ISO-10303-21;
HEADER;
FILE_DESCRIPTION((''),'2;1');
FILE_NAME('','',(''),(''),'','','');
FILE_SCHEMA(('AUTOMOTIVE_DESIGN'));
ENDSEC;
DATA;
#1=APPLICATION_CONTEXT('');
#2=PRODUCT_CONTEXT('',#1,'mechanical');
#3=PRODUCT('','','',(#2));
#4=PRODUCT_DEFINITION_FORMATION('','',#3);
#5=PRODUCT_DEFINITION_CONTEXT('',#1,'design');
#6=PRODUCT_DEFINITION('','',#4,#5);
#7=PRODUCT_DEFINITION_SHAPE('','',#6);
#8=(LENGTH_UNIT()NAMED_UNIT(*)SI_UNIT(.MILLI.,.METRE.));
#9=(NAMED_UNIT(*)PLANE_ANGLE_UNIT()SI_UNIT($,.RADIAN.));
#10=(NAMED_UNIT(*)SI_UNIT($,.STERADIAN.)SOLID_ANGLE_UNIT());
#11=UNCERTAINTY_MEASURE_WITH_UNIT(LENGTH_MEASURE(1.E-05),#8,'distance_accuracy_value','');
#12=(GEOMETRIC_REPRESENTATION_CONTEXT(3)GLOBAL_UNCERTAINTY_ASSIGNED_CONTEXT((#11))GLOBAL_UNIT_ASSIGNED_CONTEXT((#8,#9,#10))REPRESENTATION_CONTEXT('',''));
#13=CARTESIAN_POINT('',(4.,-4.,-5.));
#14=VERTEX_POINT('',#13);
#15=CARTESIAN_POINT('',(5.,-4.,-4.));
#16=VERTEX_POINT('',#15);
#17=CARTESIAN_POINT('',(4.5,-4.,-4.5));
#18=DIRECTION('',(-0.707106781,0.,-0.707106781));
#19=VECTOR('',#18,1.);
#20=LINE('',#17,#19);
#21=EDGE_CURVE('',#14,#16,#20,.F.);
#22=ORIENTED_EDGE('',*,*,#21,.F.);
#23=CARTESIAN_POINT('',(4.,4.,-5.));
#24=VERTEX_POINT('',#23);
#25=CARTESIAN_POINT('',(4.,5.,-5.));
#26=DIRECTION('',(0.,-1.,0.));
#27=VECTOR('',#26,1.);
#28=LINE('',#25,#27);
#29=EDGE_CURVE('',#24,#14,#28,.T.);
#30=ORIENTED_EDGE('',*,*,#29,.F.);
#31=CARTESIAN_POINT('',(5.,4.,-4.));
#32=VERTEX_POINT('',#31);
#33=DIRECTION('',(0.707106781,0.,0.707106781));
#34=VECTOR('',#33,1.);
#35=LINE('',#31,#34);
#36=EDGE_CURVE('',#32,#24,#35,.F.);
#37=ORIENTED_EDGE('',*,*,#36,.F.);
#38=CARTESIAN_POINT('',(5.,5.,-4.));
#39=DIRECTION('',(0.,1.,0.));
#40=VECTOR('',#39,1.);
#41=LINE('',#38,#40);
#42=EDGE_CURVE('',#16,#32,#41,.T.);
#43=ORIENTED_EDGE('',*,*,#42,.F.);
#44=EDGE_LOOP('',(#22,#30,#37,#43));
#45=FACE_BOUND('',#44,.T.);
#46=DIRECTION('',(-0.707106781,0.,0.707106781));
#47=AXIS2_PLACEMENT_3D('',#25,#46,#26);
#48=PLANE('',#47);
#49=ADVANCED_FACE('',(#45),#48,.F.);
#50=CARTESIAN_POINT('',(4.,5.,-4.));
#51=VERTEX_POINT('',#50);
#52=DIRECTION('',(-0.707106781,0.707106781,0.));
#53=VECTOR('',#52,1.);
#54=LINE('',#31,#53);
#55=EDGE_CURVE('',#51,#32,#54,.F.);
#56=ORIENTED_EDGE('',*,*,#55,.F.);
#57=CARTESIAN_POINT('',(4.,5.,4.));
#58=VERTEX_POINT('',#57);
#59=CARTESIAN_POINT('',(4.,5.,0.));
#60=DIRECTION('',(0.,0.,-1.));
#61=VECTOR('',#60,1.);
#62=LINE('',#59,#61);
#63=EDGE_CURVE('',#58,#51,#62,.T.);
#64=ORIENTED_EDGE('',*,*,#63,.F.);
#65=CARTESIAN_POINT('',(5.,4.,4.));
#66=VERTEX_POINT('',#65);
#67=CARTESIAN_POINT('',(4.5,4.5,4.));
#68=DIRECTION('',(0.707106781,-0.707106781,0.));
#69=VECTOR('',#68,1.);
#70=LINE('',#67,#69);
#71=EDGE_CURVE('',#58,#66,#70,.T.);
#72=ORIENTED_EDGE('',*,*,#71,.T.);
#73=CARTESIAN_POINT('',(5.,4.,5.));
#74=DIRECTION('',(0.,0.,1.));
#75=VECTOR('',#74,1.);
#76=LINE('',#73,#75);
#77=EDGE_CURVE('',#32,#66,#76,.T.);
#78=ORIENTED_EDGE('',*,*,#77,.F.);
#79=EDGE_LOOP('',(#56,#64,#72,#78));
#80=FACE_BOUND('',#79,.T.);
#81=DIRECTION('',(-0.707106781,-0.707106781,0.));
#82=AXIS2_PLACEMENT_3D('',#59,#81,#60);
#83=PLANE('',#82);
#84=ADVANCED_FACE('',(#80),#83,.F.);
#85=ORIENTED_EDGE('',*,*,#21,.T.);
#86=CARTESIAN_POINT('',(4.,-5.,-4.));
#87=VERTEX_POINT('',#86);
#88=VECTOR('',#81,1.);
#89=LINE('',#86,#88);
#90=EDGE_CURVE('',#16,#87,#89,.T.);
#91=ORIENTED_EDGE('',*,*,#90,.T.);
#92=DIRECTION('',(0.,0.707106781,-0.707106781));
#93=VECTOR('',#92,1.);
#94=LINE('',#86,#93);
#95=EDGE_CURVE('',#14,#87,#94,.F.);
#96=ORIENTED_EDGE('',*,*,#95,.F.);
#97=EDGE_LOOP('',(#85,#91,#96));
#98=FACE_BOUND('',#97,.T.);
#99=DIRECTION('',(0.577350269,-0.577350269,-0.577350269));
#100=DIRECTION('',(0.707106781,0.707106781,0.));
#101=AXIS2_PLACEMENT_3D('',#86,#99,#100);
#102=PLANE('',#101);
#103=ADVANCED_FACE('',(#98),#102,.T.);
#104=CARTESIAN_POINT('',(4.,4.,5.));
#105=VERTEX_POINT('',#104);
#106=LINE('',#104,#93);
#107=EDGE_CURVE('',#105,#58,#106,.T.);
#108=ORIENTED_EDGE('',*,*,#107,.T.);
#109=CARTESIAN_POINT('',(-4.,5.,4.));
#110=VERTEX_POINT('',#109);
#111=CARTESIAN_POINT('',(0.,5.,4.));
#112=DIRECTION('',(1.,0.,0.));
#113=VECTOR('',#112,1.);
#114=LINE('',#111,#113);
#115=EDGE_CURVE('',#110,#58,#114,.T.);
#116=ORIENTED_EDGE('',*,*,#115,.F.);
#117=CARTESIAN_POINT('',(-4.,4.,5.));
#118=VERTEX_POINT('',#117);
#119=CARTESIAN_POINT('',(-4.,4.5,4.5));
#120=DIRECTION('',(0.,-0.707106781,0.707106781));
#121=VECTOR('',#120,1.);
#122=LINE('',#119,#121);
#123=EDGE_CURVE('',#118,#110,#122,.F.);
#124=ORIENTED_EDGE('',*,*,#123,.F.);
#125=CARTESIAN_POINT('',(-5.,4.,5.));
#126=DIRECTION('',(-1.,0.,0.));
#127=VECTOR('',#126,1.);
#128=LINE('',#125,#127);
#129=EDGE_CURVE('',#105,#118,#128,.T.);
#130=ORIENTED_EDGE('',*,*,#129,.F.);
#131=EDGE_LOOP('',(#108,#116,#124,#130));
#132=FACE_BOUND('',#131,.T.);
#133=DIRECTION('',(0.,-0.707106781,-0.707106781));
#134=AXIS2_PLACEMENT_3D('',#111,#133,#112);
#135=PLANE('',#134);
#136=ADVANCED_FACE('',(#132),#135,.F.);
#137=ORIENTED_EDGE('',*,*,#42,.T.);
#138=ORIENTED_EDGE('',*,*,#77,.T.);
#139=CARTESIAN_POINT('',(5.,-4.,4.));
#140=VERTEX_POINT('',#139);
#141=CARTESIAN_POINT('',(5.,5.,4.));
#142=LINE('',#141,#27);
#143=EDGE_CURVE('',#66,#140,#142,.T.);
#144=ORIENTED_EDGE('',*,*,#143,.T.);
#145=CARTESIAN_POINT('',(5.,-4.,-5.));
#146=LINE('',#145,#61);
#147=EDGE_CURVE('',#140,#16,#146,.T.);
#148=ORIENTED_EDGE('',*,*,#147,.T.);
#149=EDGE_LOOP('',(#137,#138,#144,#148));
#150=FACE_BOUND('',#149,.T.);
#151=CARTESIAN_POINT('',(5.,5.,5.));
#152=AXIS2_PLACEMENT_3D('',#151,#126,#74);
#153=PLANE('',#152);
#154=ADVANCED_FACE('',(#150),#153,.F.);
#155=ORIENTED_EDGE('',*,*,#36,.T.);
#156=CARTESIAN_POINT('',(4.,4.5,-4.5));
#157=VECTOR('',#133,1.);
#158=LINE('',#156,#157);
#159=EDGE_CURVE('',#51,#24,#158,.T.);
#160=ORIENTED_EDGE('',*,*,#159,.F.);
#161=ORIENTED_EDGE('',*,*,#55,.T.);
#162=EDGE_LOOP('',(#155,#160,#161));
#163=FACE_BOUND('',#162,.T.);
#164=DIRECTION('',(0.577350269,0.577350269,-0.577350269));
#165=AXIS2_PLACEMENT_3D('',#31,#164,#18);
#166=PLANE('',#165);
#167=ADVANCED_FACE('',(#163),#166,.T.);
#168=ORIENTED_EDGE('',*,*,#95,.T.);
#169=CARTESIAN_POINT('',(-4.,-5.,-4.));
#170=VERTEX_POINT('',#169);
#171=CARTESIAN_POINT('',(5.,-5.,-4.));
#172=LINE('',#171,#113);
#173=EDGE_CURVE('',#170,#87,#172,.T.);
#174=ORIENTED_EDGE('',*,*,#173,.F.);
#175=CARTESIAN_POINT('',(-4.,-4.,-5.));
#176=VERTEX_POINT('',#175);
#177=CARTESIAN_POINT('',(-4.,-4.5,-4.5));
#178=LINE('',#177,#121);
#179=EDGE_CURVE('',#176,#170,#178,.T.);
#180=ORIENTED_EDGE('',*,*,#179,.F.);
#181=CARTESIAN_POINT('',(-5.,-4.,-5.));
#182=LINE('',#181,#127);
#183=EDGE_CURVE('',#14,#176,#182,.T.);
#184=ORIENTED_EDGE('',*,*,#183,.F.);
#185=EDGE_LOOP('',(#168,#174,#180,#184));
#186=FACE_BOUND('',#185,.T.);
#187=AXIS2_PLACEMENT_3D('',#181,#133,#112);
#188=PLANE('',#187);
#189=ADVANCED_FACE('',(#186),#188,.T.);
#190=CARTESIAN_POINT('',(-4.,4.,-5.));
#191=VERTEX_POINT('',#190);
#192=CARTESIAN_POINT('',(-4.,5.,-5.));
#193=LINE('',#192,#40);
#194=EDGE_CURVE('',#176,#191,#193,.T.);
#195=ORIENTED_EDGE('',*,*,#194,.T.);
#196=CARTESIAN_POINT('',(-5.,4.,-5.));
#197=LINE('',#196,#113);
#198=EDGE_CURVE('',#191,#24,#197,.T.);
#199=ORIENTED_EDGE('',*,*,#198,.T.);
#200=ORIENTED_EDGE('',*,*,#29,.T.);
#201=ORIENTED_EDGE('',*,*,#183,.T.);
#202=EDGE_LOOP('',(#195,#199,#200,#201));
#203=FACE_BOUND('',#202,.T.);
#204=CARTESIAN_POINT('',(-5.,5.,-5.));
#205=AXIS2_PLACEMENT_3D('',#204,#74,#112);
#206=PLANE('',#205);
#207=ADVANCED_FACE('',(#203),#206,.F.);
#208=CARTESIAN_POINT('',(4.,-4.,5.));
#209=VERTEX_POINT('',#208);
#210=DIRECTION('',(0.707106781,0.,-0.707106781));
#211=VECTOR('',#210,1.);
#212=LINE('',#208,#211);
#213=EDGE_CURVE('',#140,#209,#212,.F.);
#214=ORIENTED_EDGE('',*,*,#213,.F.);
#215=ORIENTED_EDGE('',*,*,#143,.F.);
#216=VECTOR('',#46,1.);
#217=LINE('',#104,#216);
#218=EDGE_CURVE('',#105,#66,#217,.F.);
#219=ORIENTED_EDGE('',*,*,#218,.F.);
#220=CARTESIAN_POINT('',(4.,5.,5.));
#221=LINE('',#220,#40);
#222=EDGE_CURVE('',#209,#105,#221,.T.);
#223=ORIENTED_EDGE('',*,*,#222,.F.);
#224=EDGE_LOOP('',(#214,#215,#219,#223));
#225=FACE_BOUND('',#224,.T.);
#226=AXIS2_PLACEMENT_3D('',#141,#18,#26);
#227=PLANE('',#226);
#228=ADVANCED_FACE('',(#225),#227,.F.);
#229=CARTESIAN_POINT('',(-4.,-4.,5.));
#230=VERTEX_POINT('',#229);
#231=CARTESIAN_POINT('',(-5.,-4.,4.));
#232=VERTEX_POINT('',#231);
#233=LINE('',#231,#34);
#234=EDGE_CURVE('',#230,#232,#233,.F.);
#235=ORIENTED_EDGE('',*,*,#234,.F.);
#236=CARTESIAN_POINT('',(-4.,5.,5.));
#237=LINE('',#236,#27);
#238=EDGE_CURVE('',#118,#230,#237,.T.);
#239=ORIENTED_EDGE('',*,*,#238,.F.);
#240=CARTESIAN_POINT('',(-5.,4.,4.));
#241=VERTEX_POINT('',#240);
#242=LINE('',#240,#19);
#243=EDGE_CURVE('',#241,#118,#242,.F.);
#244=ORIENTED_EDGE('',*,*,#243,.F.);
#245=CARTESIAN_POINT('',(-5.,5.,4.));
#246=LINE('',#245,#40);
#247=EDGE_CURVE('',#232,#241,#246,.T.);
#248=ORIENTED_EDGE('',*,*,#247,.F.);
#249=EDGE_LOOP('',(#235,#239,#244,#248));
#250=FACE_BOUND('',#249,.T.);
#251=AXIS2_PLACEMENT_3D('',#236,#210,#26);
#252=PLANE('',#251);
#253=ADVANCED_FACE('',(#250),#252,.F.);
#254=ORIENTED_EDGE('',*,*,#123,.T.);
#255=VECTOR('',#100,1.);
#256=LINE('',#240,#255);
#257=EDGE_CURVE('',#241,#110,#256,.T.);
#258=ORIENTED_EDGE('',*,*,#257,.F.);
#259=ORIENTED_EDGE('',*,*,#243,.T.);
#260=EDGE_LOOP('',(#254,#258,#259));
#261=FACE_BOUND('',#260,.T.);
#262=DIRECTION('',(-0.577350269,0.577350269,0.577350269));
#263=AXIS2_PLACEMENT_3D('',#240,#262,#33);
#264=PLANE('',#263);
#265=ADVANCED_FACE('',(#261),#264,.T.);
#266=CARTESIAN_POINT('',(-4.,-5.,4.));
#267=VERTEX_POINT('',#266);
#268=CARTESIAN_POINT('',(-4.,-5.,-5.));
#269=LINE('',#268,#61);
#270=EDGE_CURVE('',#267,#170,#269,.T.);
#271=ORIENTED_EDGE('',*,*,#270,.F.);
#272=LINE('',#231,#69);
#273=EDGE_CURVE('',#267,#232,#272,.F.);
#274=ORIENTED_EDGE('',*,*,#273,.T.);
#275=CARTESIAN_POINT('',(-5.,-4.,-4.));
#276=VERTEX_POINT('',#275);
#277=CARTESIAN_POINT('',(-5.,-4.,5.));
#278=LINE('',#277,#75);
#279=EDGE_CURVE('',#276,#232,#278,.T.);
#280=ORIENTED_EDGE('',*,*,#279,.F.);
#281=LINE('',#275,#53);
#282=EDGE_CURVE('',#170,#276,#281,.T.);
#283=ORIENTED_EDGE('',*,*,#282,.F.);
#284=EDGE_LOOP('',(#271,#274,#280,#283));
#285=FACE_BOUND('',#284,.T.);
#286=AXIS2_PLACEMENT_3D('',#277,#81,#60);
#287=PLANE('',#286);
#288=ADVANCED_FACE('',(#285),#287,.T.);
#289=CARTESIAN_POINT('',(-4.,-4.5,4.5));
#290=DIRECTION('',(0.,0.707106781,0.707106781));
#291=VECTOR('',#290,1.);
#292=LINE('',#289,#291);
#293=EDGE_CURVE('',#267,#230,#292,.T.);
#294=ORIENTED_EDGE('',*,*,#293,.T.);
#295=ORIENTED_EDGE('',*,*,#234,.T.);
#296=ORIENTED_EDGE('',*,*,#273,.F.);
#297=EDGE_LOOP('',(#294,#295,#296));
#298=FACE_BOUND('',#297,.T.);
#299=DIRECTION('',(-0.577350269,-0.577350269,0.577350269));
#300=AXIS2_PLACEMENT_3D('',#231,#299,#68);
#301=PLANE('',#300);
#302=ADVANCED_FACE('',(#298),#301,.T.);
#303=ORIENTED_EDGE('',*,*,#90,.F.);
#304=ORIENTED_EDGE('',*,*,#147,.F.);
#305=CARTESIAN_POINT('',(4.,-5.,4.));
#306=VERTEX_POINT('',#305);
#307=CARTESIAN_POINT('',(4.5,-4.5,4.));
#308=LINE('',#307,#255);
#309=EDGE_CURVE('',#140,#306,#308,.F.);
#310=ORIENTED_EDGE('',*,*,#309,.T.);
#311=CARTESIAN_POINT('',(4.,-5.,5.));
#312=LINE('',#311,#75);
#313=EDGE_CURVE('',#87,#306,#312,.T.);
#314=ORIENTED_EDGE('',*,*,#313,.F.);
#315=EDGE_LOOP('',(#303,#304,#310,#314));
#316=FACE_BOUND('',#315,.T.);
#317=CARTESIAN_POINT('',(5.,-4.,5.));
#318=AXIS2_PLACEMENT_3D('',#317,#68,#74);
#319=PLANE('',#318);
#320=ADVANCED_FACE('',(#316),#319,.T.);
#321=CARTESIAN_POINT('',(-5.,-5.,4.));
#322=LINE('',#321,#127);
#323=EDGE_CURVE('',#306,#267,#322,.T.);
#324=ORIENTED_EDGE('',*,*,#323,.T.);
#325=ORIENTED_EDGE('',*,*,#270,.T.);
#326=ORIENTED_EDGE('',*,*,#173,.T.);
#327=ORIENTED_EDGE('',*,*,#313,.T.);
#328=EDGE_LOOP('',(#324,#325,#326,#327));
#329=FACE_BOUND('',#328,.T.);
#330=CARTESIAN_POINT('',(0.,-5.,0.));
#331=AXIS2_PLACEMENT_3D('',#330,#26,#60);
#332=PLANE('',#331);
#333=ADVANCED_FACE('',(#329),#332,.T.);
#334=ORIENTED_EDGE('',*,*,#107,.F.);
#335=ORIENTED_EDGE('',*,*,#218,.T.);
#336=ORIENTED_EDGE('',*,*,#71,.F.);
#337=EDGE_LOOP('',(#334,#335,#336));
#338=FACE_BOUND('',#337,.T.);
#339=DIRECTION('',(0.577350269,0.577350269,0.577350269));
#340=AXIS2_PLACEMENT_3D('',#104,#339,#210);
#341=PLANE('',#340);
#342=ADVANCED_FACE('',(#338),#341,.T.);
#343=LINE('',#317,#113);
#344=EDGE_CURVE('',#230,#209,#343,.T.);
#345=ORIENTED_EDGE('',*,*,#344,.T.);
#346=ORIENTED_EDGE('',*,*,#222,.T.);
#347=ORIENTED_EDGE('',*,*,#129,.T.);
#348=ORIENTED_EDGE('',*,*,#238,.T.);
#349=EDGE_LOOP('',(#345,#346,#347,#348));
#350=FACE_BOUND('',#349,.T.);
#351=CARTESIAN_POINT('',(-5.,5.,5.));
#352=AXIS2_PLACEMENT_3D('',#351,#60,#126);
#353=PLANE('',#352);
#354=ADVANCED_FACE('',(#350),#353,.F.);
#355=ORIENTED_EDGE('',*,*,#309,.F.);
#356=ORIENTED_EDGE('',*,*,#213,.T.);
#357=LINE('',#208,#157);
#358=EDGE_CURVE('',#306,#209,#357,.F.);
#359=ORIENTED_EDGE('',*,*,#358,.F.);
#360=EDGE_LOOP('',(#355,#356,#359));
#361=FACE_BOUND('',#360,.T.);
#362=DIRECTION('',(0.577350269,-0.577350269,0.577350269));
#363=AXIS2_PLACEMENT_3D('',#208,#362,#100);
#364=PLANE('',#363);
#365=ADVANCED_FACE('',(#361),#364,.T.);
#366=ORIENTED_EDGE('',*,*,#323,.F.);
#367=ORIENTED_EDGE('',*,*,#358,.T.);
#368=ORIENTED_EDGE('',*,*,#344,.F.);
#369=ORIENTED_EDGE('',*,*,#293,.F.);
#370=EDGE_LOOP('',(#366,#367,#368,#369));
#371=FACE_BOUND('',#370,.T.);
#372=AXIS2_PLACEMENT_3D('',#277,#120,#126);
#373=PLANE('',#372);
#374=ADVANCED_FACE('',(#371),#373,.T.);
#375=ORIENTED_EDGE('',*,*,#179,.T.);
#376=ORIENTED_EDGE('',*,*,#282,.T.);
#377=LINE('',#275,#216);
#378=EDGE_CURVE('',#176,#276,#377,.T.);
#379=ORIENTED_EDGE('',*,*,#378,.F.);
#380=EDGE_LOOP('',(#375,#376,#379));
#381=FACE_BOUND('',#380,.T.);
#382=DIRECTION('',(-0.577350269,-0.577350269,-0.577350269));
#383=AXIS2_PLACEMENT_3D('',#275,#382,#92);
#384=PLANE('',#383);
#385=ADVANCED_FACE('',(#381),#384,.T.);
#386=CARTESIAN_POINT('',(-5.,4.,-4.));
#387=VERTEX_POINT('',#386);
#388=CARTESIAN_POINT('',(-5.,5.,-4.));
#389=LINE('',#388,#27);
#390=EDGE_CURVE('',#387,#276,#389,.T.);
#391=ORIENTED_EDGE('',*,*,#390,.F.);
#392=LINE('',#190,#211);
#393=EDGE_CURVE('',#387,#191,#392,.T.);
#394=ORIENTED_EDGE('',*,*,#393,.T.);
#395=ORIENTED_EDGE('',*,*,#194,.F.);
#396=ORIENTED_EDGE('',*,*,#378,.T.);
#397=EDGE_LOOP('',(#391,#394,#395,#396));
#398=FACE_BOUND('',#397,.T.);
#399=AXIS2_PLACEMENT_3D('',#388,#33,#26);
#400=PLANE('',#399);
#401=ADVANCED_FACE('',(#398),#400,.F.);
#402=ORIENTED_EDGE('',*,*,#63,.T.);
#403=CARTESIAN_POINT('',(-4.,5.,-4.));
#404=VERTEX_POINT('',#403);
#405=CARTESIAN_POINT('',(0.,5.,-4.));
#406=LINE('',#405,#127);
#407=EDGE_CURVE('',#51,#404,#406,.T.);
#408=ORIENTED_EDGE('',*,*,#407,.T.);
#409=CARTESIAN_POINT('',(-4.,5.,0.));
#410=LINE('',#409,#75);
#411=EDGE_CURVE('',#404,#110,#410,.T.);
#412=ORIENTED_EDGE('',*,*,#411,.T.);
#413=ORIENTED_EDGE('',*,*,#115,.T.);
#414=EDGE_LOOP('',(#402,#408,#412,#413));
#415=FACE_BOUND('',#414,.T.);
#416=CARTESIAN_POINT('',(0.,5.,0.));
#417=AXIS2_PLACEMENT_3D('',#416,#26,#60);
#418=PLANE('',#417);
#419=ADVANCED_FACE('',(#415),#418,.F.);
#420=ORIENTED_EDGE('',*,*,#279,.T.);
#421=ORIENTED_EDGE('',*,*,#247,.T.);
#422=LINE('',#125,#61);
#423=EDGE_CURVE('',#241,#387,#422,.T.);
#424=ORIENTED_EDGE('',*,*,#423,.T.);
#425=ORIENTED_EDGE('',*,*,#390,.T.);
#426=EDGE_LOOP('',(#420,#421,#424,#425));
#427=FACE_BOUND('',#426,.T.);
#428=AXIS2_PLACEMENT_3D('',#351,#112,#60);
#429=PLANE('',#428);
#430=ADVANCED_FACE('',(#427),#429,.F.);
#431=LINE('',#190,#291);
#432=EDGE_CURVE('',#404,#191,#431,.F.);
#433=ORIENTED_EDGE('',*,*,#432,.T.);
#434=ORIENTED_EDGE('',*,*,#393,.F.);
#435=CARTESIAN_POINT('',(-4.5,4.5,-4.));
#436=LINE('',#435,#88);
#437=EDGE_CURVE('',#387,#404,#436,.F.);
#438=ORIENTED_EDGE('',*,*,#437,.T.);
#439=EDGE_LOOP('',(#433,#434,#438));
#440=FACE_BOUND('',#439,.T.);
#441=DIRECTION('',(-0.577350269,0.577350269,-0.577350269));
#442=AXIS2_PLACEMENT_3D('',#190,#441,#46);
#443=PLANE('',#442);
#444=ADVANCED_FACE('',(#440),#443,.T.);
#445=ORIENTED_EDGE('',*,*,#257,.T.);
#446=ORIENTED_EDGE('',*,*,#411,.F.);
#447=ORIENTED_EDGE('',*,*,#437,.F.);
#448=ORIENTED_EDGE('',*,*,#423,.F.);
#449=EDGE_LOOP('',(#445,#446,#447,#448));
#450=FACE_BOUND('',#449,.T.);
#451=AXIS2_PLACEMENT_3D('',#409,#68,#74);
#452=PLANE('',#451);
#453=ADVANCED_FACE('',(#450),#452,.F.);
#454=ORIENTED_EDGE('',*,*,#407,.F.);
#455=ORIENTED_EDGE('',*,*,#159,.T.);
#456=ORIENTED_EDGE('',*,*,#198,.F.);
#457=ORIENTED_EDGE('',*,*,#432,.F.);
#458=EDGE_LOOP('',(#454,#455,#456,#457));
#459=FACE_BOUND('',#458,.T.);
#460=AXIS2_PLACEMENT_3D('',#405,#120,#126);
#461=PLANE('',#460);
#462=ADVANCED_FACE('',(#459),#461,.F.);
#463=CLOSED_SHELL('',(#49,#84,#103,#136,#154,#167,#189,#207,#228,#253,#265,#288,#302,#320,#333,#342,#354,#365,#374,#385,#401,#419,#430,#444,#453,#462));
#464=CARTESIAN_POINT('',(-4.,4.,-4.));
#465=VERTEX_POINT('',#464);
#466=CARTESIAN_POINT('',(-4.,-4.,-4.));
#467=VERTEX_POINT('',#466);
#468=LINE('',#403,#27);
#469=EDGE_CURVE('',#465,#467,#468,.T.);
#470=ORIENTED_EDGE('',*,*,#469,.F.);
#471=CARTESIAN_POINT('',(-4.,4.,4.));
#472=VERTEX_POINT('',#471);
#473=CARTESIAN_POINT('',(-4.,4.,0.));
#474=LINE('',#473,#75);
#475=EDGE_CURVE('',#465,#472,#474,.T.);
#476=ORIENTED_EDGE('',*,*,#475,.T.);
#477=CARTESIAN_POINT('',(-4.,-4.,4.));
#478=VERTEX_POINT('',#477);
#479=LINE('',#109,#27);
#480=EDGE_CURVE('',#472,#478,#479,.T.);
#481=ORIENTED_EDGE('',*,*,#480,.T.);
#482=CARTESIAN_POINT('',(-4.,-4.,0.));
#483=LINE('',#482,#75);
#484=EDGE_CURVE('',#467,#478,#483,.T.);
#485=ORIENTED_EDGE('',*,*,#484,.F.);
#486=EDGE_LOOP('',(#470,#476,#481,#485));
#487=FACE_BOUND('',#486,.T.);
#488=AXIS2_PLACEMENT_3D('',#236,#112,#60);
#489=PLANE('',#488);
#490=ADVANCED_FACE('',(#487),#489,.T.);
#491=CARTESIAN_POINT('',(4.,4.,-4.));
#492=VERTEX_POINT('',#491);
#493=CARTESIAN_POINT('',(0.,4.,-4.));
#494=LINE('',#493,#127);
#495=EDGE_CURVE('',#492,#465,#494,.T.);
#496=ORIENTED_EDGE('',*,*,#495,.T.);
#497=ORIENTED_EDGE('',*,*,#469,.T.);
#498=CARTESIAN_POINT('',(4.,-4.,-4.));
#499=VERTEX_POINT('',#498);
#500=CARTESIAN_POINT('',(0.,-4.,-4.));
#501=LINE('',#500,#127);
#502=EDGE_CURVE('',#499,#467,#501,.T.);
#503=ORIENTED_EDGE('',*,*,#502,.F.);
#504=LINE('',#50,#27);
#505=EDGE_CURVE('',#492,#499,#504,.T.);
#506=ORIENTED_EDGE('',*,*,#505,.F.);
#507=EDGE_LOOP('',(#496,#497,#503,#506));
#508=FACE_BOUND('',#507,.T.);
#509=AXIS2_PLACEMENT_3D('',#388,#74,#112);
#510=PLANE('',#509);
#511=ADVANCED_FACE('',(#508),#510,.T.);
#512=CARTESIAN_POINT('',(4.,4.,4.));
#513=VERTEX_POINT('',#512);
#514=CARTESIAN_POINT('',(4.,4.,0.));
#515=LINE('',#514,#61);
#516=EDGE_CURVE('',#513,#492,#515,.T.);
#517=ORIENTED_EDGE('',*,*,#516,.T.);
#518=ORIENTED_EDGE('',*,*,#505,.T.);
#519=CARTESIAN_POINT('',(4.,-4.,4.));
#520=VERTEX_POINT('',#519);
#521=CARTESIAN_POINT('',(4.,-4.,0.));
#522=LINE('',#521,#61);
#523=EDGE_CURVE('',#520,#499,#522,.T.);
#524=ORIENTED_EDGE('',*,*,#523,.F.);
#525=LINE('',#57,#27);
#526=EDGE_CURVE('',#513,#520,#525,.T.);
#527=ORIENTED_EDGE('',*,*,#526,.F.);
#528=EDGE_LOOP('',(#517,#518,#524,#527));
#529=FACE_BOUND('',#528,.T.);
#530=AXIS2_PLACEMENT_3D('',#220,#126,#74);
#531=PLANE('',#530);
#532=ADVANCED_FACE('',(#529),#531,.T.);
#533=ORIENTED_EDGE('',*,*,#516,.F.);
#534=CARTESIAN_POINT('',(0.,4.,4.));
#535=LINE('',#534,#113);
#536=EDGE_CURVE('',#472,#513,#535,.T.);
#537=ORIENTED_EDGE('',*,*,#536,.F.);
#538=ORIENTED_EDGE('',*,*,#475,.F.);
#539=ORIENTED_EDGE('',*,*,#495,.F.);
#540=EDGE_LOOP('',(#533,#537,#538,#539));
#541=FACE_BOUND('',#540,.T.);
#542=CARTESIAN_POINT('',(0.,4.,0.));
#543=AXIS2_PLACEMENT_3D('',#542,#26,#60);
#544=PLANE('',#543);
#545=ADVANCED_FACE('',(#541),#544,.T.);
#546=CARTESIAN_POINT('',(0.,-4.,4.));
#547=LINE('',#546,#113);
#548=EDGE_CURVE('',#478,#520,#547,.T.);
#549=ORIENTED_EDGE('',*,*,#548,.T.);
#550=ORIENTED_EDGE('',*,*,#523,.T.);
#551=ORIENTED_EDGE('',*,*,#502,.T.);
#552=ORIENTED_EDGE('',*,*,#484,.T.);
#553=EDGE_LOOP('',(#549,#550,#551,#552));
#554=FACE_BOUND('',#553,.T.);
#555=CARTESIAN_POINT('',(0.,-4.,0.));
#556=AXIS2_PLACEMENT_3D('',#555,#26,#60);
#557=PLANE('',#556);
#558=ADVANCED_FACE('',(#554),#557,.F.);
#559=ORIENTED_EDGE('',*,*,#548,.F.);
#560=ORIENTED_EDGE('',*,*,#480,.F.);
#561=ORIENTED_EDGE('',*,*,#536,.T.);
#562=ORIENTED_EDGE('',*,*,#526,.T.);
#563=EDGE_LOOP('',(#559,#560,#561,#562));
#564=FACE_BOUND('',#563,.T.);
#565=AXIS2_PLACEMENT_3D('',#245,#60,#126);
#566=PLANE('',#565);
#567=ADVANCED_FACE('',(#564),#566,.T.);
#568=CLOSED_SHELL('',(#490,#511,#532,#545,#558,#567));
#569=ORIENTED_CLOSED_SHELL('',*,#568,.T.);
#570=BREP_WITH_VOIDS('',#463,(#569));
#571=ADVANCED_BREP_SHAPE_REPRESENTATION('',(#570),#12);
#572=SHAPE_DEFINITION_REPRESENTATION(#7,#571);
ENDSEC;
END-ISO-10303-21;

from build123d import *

# Parameters (mm, degrees)
ESBO_O1_W                = 10
ESBO_O1_H                = 10
RESSALTO_EXTRUS_O1_DEPTH = 5
CASCA2_T                 = 1
CHANFRO1_SIZE            = 1


with BuildPart() as part:
    # Esboço1 → Ressalto-extrusão1 (new, symmetric)
    with BuildSketch(Plane(origin=(0, 0, 0), x_dir=(1, 0, 0), z_dir=(0, 1, 0))):
        Rectangle(ESBO_O1_W, ESBO_O1_H)
    extrude(amount=RESSALTO_EXTRUS_O1_DEPTH, both=True)

    # Casca2 (no face opened: a closed hollow body)
    add(offset(amount=-CASCA2_T, mode=Mode.PRIVATE), mode=Mode.SUBTRACT)

    # Chanfro1
    chanfro1_edges = [part.edges().sort_by_distance(p)[0] for p in [
        (-5, 5, 0),
        (0, 5, 5),
        (5, 5, 0),
        (0, -5, 5),
        (-5, -5, 0),
        (0, -5, -5),
        (5, -5, 0),
        (5, 0, 5),
        (-5, 0, 5),
        (-5, 0, -5),
        (5, 0, -5),
        (0, 5, -5),
    ]]
    chamfer(chanfro1_edges, length=CHANFRO1_SIZE)


solid = part.part
